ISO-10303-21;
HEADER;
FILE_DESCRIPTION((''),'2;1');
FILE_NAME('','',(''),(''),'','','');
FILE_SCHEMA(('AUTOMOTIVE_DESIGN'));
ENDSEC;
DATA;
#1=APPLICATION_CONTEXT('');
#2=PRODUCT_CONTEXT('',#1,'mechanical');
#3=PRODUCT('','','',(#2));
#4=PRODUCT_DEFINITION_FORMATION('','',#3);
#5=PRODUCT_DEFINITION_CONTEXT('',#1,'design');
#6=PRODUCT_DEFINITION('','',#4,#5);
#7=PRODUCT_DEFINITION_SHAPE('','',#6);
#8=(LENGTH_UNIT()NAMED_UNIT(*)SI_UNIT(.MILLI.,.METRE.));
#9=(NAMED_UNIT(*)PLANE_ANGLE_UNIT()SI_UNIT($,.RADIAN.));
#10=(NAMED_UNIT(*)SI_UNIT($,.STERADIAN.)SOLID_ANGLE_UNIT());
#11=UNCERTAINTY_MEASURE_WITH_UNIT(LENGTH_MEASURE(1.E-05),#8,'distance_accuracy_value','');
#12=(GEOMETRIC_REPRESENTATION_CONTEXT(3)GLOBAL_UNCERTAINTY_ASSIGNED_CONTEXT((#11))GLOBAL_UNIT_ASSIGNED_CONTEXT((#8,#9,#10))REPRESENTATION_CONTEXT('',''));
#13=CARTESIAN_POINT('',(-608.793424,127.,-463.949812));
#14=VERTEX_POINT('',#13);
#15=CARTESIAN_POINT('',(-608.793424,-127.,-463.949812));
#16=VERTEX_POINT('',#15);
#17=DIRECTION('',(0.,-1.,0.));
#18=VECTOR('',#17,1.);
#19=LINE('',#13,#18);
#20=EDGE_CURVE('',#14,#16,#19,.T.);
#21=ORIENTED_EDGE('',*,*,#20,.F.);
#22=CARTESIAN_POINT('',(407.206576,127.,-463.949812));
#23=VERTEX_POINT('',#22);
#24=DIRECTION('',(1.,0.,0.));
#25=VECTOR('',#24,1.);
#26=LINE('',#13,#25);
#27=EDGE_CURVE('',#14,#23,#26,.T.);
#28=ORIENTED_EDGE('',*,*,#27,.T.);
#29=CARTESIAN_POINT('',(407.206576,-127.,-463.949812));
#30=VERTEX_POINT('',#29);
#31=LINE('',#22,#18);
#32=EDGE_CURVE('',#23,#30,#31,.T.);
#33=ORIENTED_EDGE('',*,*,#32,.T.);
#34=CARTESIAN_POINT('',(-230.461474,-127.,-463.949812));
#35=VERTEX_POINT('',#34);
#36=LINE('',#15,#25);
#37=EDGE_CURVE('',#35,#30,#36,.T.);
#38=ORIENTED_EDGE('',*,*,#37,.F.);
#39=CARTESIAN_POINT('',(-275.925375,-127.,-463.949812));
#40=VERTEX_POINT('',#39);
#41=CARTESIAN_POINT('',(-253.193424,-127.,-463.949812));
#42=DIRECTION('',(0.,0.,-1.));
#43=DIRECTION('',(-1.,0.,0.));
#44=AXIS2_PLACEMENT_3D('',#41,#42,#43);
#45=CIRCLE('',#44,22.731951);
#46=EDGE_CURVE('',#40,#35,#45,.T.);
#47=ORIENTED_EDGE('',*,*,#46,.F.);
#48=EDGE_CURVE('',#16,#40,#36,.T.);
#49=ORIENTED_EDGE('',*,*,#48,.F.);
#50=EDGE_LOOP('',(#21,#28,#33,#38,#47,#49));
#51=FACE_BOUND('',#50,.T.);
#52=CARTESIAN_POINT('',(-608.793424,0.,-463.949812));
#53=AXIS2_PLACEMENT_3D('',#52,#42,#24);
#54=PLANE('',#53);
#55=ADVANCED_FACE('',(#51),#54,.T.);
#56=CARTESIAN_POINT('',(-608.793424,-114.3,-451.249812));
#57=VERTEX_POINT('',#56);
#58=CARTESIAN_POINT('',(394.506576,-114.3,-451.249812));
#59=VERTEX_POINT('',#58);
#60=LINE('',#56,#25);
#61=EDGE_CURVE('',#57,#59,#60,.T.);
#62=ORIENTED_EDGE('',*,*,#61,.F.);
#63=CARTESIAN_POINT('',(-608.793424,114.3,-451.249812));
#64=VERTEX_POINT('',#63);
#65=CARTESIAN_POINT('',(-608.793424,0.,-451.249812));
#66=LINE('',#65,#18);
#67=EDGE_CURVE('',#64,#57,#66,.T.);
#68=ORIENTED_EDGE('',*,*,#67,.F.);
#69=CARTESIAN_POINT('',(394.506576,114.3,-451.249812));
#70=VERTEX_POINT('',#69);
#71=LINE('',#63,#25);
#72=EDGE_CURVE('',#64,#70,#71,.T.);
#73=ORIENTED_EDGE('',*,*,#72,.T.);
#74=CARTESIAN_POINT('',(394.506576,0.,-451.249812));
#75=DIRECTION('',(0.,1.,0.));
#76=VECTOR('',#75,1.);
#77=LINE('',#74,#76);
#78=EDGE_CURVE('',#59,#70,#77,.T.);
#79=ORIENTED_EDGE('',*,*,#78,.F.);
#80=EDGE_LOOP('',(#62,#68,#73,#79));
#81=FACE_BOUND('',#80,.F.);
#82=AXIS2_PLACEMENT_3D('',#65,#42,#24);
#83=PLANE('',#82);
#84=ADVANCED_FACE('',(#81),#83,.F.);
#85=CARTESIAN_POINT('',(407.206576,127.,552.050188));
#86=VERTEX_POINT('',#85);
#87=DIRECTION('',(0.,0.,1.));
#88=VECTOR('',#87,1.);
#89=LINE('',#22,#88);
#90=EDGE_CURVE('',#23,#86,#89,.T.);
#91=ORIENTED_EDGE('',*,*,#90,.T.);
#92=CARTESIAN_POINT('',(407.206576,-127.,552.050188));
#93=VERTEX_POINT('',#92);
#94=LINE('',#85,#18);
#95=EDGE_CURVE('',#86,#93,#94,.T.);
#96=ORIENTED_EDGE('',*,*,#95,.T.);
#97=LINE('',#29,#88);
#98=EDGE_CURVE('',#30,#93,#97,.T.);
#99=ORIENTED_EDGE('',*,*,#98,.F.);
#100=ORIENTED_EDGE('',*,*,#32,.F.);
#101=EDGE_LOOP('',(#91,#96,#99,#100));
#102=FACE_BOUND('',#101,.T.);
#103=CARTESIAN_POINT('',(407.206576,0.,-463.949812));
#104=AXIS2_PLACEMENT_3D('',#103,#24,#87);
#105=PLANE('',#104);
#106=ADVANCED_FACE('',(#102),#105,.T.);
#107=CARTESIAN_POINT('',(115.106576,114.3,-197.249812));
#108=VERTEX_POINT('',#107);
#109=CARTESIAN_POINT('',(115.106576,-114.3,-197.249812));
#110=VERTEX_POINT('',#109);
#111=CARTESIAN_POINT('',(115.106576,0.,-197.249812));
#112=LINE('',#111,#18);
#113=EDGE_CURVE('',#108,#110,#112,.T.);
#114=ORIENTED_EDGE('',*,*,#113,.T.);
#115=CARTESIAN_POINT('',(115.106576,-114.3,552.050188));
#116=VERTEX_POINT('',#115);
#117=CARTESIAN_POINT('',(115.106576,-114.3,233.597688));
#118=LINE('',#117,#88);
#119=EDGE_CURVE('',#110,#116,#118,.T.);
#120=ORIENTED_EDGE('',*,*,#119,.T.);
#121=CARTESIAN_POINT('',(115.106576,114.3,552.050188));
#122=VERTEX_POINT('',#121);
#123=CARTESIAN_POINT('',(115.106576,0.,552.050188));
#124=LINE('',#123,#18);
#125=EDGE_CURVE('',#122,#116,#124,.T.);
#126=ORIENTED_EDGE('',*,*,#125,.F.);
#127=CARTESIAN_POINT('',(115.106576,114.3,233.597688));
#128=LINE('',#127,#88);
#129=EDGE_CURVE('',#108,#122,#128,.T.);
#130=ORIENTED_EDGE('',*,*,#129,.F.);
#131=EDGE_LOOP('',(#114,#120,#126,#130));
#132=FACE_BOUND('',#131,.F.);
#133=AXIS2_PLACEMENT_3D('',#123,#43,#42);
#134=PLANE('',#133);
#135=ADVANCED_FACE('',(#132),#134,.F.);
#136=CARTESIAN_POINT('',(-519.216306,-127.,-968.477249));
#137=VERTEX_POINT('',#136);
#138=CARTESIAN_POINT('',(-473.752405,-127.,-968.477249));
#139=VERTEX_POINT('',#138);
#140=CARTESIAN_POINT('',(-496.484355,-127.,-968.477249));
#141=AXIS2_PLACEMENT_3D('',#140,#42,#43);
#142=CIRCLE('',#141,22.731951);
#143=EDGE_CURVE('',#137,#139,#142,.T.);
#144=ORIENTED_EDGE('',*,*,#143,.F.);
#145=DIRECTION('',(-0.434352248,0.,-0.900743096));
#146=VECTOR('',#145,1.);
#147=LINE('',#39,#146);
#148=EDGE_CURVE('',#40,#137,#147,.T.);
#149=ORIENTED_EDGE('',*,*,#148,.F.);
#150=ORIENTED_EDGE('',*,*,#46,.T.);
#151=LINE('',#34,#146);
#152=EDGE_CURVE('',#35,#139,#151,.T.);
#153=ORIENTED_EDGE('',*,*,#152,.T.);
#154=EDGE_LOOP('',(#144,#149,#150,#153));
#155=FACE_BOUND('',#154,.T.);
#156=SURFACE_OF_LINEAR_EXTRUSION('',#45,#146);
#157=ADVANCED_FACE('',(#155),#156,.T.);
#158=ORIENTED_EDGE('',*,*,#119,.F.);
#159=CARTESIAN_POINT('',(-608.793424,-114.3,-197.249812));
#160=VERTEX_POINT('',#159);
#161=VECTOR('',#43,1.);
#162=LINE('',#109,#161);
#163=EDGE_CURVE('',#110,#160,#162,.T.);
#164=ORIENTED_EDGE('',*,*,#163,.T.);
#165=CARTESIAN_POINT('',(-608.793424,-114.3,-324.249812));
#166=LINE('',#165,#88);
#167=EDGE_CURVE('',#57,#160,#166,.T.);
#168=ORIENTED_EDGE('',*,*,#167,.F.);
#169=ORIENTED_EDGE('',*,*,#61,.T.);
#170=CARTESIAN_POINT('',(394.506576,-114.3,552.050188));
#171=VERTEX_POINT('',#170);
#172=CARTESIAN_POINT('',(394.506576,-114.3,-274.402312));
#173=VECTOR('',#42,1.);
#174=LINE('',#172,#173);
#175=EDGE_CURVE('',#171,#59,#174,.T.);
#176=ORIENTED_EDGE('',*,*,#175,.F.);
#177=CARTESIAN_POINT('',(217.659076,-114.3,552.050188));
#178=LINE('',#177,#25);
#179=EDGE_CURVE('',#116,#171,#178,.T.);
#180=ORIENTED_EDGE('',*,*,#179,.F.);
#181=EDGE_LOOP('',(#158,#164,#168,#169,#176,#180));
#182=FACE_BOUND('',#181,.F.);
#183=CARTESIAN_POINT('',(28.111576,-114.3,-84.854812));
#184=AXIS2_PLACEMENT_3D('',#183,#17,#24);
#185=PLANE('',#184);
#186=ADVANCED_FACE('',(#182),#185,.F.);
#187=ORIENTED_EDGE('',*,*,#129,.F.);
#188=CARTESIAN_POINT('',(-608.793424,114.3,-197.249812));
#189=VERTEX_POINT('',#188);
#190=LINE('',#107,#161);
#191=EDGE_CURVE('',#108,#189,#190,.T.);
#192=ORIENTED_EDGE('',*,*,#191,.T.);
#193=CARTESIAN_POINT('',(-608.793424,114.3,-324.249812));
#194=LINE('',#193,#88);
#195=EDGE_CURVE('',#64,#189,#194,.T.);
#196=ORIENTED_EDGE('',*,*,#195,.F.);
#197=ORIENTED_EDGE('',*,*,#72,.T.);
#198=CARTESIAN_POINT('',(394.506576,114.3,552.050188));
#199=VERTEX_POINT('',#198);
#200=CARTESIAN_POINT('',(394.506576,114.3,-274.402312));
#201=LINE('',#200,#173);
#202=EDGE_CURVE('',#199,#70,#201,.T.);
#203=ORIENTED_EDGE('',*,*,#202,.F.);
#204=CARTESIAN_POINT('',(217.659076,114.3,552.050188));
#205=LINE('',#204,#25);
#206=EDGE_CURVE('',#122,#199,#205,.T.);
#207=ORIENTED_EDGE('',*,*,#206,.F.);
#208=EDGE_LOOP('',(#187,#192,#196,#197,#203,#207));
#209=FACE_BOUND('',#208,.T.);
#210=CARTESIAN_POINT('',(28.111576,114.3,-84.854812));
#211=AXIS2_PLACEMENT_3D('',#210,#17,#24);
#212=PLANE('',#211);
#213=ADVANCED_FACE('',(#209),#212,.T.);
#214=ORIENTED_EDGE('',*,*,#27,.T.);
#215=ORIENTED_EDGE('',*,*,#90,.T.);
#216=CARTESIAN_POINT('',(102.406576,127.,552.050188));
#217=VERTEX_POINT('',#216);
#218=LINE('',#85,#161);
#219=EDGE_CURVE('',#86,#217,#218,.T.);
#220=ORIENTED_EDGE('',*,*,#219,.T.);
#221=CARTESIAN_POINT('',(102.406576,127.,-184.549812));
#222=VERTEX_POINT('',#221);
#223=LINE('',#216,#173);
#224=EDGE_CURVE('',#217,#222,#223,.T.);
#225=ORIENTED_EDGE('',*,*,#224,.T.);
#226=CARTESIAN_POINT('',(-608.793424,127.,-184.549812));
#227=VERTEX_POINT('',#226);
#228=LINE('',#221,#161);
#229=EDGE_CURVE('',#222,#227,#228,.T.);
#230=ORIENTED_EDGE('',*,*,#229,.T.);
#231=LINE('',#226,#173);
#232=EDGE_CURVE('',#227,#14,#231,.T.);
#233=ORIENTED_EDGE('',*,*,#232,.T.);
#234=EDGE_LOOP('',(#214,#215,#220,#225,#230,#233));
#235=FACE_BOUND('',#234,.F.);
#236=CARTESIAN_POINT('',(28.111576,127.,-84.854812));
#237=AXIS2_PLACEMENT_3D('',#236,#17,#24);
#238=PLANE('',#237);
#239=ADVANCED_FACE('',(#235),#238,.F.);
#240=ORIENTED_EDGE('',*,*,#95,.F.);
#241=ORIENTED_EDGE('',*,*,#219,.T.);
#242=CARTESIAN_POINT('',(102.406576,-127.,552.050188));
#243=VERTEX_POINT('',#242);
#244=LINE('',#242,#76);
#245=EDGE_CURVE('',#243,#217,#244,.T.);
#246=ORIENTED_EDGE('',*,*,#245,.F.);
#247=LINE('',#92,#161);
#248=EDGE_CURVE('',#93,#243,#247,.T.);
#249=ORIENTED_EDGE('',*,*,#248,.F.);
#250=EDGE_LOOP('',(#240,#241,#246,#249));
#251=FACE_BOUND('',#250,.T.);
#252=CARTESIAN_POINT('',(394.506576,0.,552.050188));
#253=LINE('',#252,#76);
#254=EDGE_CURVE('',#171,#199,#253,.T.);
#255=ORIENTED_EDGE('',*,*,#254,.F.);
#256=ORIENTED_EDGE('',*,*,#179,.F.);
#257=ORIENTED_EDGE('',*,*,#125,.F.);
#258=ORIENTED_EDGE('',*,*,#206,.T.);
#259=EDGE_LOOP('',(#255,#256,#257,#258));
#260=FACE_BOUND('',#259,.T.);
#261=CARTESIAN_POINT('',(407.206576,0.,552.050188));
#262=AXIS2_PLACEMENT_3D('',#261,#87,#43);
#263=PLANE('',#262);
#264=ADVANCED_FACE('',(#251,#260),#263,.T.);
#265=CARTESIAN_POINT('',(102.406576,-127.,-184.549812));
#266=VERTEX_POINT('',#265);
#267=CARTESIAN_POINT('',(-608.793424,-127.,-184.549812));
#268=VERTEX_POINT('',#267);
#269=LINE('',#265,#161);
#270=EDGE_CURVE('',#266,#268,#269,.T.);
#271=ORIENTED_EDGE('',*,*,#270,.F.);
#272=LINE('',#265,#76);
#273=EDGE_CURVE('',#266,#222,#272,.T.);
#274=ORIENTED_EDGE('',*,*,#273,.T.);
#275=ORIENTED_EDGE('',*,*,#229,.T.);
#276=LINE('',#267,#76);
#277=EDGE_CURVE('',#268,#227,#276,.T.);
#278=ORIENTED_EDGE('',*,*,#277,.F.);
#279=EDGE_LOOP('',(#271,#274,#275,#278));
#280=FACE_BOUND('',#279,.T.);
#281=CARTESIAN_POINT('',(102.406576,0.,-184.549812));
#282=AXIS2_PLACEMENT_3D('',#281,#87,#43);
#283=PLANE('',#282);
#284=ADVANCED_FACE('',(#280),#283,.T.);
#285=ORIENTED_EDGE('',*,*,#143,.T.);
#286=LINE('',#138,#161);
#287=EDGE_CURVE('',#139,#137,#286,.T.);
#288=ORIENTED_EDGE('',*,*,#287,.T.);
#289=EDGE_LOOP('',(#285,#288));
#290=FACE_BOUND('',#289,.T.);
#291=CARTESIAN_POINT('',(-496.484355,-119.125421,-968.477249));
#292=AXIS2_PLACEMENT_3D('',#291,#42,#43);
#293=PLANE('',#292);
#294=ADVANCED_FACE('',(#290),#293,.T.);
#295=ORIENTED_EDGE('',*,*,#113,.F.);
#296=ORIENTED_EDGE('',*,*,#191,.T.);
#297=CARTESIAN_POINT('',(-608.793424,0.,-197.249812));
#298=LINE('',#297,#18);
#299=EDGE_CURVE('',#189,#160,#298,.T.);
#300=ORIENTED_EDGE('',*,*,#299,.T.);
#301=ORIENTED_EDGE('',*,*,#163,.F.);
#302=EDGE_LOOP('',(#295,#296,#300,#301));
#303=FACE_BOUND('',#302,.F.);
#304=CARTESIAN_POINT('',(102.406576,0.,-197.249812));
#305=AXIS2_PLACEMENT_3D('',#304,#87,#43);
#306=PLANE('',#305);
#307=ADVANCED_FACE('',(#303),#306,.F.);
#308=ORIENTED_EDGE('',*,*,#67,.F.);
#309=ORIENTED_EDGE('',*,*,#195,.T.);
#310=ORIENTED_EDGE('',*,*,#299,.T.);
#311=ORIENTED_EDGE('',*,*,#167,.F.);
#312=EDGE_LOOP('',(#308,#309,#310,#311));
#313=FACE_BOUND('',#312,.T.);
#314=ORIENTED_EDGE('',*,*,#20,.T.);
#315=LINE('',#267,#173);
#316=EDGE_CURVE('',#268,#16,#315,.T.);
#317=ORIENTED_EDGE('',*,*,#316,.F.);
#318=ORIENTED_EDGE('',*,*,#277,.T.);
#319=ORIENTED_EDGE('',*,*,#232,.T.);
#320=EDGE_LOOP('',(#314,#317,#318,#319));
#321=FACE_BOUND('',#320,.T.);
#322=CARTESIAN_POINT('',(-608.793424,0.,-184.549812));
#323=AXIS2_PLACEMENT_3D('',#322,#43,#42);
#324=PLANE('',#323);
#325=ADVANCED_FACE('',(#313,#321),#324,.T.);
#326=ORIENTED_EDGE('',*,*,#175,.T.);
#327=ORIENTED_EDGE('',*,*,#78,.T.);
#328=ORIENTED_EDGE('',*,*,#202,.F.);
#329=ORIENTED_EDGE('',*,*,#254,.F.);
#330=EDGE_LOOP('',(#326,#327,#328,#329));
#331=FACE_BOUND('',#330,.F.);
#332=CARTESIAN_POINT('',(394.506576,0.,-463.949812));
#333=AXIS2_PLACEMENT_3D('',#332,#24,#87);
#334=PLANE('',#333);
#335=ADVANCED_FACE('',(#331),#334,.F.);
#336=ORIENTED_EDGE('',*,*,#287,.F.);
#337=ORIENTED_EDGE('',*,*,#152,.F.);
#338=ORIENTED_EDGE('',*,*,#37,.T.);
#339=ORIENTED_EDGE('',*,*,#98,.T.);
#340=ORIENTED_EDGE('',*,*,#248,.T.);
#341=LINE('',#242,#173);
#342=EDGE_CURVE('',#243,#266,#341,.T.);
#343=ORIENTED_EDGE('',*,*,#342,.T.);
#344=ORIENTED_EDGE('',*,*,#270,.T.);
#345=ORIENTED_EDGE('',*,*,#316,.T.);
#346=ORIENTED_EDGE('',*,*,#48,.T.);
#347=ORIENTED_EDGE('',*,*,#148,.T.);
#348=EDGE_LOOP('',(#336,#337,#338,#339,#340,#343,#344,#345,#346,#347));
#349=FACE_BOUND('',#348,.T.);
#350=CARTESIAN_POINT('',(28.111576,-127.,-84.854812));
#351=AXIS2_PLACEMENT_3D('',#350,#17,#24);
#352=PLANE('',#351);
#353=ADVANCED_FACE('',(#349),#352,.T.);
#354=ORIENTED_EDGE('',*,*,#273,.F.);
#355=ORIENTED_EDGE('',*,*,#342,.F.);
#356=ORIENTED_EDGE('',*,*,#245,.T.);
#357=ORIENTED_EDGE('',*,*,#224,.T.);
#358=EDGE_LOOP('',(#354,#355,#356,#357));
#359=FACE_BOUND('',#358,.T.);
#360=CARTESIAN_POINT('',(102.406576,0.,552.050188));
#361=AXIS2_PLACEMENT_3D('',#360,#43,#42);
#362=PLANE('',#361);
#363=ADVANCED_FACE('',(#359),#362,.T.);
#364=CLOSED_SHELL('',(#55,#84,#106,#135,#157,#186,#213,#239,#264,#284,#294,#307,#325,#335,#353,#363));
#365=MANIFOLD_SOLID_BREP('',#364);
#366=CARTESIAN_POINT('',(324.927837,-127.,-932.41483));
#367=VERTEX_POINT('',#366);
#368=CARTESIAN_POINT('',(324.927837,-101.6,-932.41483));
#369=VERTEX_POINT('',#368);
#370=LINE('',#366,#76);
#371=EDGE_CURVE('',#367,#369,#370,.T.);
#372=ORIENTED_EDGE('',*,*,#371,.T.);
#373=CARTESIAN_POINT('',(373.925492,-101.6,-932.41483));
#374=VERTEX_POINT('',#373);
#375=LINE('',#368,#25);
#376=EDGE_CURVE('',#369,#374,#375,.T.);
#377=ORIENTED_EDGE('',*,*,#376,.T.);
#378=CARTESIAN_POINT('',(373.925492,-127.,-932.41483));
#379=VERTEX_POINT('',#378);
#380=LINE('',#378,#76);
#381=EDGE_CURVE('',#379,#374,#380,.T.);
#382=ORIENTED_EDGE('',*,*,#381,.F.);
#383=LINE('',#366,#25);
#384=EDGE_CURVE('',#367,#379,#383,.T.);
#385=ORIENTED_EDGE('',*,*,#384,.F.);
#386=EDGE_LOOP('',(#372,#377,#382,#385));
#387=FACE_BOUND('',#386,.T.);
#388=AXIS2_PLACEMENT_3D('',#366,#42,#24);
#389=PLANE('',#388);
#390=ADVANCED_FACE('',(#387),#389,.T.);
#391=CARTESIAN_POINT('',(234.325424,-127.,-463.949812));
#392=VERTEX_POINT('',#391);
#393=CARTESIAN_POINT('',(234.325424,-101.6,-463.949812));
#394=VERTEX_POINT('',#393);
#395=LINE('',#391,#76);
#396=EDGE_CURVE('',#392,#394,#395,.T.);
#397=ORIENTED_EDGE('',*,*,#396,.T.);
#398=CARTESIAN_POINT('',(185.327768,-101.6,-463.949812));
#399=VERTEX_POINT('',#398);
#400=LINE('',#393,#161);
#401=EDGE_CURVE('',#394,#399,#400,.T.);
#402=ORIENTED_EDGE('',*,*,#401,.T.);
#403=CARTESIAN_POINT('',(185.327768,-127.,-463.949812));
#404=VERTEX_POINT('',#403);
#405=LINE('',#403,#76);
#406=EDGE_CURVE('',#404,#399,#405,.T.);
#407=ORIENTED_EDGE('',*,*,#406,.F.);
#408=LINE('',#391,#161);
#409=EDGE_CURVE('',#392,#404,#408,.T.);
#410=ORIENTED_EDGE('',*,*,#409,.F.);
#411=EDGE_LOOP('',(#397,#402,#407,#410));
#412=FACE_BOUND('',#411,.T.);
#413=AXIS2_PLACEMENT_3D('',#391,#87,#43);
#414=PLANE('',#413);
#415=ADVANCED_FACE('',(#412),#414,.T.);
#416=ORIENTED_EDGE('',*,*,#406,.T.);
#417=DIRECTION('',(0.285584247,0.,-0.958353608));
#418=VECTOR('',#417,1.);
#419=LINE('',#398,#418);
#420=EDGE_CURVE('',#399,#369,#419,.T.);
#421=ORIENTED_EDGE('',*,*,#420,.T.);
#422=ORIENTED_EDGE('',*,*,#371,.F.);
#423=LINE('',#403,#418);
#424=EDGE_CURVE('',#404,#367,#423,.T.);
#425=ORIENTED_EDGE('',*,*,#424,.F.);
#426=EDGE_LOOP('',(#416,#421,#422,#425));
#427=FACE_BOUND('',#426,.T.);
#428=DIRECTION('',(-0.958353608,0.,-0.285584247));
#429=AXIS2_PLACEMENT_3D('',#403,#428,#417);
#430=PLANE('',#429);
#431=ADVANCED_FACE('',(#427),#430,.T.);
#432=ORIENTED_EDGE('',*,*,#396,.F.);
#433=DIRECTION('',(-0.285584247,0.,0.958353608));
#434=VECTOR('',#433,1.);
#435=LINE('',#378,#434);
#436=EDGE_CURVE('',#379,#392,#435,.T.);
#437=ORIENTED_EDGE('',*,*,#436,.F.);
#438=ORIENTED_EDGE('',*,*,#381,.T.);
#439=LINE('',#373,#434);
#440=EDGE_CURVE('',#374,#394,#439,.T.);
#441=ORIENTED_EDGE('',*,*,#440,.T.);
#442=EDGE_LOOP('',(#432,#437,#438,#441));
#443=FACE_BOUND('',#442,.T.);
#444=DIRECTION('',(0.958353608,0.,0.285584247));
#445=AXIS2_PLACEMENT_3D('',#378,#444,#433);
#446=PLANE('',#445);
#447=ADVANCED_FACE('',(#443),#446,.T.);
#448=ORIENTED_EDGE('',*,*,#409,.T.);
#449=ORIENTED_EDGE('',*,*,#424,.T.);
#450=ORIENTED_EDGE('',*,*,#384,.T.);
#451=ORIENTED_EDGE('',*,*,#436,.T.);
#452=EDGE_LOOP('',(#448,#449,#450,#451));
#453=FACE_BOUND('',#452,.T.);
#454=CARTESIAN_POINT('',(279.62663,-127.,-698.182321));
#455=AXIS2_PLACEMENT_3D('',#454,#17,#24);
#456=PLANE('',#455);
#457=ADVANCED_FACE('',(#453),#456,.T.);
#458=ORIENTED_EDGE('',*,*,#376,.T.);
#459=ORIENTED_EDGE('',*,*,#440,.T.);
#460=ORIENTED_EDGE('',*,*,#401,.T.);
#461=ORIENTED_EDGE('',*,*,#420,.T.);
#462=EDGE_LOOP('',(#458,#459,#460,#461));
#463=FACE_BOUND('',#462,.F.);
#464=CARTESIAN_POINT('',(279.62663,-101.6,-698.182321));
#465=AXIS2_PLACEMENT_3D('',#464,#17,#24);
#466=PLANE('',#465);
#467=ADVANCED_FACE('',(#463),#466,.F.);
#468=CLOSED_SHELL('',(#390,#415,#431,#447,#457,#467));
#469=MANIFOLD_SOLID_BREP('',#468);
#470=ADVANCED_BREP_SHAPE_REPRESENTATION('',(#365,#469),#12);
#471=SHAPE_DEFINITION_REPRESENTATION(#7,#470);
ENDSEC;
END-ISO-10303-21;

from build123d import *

# Parameters (mm, degrees)
F1_DEPTH  = 127
F2_T      = -12.7
F3_W      = 228.6
F3_H      = 254
F4_DEPTH  = 25.4
F8_DEPTH  = 25.4
F11_DEPTH = 38.1


with BuildPart() as f1:
    # F0 (on Front) → F1 (new body, symmetric)
    with BuildSketch(Plane.XZ):
        Polygon((-608.7934243917, -184.549812434), (-608.7934243917, -463.949812434), (407.2065756083, -463.949812434), (407.2065756083, 552.050187566), (102.4065756083, 552.050187566), (102.4065756083, -184.549812434), align=None)
    extrude(amount=F1_DEPTH, both=True)

    # F2
    f2_openings = [f1.faces().sort_by_distance(p)[0] for p in [
        (254.806576, 0, 552.050188),
    ]]
    offset(amount=F2_T, openings=f2_openings, kind=Kind.INTERSECTION)

    # F3 (on face) → F4 (cut)
    with BuildSketch(Plane(origin=(-608.7934243917, 0, 0), x_dir=(0, -1, 0), z_dir=(-1, 0, 0))):
        with Locations((0, -324.249812434)):
            Rectangle(F3_W, F3_H)
    extrude(amount=-F4_DEPTH, mode=Mode.SUBTRACT)

    # F7: sweep along a path in F5
    with BuildLine(Plane.XZ.offset(127)) as f7_path:
        Line((-244.6788847446, -463.949812434), (-487.969815731, -968.4772491455))
    # F6 (on face) → F7 (sweep)
    with BuildSketch(Plane(origin=(0, 0, -463.949812434), x_dir=(1, 0, 0), z_dir=(0, 0, -1))):
        with BuildLine():
            ThreePointArc((-275.9253751284, 127), (-253.1934243917, 104.2680492633), (-230.461473655, 127))
            Line((-230.461473655, 127), (-275.9253751284, 127))
        make_face()
    sweep(path=f7_path.line)


with BuildPart() as f8:
    # F5 (on face) → F8 (new body)
    with BuildSketch(Plane.XZ.offset(127)):
        Polygon((234.3254238367, -463.949812434), (185.3277683258, -463.949812434), (324.9278366566, -932.414829731), (373.9254921675, -932.414829731), align=None)
    extrude(amount=-F8_DEPTH)


with BuildPart() as f11:
    # F10 (on offset) → F11 (new body, symmetric)
    with BuildSketch(Plane.YZ.offset(204.0065756083)):
        Polygon((-68.0237669945, -463.949812434), (-127, -463.949812434), (-474.1689562798, -907.5912833214), (-415.1927232742, -907.5912833214), align=None)
    extrude(amount=F11_DEPTH, both=True)


solid = Compound([f1.part, f8.part])
